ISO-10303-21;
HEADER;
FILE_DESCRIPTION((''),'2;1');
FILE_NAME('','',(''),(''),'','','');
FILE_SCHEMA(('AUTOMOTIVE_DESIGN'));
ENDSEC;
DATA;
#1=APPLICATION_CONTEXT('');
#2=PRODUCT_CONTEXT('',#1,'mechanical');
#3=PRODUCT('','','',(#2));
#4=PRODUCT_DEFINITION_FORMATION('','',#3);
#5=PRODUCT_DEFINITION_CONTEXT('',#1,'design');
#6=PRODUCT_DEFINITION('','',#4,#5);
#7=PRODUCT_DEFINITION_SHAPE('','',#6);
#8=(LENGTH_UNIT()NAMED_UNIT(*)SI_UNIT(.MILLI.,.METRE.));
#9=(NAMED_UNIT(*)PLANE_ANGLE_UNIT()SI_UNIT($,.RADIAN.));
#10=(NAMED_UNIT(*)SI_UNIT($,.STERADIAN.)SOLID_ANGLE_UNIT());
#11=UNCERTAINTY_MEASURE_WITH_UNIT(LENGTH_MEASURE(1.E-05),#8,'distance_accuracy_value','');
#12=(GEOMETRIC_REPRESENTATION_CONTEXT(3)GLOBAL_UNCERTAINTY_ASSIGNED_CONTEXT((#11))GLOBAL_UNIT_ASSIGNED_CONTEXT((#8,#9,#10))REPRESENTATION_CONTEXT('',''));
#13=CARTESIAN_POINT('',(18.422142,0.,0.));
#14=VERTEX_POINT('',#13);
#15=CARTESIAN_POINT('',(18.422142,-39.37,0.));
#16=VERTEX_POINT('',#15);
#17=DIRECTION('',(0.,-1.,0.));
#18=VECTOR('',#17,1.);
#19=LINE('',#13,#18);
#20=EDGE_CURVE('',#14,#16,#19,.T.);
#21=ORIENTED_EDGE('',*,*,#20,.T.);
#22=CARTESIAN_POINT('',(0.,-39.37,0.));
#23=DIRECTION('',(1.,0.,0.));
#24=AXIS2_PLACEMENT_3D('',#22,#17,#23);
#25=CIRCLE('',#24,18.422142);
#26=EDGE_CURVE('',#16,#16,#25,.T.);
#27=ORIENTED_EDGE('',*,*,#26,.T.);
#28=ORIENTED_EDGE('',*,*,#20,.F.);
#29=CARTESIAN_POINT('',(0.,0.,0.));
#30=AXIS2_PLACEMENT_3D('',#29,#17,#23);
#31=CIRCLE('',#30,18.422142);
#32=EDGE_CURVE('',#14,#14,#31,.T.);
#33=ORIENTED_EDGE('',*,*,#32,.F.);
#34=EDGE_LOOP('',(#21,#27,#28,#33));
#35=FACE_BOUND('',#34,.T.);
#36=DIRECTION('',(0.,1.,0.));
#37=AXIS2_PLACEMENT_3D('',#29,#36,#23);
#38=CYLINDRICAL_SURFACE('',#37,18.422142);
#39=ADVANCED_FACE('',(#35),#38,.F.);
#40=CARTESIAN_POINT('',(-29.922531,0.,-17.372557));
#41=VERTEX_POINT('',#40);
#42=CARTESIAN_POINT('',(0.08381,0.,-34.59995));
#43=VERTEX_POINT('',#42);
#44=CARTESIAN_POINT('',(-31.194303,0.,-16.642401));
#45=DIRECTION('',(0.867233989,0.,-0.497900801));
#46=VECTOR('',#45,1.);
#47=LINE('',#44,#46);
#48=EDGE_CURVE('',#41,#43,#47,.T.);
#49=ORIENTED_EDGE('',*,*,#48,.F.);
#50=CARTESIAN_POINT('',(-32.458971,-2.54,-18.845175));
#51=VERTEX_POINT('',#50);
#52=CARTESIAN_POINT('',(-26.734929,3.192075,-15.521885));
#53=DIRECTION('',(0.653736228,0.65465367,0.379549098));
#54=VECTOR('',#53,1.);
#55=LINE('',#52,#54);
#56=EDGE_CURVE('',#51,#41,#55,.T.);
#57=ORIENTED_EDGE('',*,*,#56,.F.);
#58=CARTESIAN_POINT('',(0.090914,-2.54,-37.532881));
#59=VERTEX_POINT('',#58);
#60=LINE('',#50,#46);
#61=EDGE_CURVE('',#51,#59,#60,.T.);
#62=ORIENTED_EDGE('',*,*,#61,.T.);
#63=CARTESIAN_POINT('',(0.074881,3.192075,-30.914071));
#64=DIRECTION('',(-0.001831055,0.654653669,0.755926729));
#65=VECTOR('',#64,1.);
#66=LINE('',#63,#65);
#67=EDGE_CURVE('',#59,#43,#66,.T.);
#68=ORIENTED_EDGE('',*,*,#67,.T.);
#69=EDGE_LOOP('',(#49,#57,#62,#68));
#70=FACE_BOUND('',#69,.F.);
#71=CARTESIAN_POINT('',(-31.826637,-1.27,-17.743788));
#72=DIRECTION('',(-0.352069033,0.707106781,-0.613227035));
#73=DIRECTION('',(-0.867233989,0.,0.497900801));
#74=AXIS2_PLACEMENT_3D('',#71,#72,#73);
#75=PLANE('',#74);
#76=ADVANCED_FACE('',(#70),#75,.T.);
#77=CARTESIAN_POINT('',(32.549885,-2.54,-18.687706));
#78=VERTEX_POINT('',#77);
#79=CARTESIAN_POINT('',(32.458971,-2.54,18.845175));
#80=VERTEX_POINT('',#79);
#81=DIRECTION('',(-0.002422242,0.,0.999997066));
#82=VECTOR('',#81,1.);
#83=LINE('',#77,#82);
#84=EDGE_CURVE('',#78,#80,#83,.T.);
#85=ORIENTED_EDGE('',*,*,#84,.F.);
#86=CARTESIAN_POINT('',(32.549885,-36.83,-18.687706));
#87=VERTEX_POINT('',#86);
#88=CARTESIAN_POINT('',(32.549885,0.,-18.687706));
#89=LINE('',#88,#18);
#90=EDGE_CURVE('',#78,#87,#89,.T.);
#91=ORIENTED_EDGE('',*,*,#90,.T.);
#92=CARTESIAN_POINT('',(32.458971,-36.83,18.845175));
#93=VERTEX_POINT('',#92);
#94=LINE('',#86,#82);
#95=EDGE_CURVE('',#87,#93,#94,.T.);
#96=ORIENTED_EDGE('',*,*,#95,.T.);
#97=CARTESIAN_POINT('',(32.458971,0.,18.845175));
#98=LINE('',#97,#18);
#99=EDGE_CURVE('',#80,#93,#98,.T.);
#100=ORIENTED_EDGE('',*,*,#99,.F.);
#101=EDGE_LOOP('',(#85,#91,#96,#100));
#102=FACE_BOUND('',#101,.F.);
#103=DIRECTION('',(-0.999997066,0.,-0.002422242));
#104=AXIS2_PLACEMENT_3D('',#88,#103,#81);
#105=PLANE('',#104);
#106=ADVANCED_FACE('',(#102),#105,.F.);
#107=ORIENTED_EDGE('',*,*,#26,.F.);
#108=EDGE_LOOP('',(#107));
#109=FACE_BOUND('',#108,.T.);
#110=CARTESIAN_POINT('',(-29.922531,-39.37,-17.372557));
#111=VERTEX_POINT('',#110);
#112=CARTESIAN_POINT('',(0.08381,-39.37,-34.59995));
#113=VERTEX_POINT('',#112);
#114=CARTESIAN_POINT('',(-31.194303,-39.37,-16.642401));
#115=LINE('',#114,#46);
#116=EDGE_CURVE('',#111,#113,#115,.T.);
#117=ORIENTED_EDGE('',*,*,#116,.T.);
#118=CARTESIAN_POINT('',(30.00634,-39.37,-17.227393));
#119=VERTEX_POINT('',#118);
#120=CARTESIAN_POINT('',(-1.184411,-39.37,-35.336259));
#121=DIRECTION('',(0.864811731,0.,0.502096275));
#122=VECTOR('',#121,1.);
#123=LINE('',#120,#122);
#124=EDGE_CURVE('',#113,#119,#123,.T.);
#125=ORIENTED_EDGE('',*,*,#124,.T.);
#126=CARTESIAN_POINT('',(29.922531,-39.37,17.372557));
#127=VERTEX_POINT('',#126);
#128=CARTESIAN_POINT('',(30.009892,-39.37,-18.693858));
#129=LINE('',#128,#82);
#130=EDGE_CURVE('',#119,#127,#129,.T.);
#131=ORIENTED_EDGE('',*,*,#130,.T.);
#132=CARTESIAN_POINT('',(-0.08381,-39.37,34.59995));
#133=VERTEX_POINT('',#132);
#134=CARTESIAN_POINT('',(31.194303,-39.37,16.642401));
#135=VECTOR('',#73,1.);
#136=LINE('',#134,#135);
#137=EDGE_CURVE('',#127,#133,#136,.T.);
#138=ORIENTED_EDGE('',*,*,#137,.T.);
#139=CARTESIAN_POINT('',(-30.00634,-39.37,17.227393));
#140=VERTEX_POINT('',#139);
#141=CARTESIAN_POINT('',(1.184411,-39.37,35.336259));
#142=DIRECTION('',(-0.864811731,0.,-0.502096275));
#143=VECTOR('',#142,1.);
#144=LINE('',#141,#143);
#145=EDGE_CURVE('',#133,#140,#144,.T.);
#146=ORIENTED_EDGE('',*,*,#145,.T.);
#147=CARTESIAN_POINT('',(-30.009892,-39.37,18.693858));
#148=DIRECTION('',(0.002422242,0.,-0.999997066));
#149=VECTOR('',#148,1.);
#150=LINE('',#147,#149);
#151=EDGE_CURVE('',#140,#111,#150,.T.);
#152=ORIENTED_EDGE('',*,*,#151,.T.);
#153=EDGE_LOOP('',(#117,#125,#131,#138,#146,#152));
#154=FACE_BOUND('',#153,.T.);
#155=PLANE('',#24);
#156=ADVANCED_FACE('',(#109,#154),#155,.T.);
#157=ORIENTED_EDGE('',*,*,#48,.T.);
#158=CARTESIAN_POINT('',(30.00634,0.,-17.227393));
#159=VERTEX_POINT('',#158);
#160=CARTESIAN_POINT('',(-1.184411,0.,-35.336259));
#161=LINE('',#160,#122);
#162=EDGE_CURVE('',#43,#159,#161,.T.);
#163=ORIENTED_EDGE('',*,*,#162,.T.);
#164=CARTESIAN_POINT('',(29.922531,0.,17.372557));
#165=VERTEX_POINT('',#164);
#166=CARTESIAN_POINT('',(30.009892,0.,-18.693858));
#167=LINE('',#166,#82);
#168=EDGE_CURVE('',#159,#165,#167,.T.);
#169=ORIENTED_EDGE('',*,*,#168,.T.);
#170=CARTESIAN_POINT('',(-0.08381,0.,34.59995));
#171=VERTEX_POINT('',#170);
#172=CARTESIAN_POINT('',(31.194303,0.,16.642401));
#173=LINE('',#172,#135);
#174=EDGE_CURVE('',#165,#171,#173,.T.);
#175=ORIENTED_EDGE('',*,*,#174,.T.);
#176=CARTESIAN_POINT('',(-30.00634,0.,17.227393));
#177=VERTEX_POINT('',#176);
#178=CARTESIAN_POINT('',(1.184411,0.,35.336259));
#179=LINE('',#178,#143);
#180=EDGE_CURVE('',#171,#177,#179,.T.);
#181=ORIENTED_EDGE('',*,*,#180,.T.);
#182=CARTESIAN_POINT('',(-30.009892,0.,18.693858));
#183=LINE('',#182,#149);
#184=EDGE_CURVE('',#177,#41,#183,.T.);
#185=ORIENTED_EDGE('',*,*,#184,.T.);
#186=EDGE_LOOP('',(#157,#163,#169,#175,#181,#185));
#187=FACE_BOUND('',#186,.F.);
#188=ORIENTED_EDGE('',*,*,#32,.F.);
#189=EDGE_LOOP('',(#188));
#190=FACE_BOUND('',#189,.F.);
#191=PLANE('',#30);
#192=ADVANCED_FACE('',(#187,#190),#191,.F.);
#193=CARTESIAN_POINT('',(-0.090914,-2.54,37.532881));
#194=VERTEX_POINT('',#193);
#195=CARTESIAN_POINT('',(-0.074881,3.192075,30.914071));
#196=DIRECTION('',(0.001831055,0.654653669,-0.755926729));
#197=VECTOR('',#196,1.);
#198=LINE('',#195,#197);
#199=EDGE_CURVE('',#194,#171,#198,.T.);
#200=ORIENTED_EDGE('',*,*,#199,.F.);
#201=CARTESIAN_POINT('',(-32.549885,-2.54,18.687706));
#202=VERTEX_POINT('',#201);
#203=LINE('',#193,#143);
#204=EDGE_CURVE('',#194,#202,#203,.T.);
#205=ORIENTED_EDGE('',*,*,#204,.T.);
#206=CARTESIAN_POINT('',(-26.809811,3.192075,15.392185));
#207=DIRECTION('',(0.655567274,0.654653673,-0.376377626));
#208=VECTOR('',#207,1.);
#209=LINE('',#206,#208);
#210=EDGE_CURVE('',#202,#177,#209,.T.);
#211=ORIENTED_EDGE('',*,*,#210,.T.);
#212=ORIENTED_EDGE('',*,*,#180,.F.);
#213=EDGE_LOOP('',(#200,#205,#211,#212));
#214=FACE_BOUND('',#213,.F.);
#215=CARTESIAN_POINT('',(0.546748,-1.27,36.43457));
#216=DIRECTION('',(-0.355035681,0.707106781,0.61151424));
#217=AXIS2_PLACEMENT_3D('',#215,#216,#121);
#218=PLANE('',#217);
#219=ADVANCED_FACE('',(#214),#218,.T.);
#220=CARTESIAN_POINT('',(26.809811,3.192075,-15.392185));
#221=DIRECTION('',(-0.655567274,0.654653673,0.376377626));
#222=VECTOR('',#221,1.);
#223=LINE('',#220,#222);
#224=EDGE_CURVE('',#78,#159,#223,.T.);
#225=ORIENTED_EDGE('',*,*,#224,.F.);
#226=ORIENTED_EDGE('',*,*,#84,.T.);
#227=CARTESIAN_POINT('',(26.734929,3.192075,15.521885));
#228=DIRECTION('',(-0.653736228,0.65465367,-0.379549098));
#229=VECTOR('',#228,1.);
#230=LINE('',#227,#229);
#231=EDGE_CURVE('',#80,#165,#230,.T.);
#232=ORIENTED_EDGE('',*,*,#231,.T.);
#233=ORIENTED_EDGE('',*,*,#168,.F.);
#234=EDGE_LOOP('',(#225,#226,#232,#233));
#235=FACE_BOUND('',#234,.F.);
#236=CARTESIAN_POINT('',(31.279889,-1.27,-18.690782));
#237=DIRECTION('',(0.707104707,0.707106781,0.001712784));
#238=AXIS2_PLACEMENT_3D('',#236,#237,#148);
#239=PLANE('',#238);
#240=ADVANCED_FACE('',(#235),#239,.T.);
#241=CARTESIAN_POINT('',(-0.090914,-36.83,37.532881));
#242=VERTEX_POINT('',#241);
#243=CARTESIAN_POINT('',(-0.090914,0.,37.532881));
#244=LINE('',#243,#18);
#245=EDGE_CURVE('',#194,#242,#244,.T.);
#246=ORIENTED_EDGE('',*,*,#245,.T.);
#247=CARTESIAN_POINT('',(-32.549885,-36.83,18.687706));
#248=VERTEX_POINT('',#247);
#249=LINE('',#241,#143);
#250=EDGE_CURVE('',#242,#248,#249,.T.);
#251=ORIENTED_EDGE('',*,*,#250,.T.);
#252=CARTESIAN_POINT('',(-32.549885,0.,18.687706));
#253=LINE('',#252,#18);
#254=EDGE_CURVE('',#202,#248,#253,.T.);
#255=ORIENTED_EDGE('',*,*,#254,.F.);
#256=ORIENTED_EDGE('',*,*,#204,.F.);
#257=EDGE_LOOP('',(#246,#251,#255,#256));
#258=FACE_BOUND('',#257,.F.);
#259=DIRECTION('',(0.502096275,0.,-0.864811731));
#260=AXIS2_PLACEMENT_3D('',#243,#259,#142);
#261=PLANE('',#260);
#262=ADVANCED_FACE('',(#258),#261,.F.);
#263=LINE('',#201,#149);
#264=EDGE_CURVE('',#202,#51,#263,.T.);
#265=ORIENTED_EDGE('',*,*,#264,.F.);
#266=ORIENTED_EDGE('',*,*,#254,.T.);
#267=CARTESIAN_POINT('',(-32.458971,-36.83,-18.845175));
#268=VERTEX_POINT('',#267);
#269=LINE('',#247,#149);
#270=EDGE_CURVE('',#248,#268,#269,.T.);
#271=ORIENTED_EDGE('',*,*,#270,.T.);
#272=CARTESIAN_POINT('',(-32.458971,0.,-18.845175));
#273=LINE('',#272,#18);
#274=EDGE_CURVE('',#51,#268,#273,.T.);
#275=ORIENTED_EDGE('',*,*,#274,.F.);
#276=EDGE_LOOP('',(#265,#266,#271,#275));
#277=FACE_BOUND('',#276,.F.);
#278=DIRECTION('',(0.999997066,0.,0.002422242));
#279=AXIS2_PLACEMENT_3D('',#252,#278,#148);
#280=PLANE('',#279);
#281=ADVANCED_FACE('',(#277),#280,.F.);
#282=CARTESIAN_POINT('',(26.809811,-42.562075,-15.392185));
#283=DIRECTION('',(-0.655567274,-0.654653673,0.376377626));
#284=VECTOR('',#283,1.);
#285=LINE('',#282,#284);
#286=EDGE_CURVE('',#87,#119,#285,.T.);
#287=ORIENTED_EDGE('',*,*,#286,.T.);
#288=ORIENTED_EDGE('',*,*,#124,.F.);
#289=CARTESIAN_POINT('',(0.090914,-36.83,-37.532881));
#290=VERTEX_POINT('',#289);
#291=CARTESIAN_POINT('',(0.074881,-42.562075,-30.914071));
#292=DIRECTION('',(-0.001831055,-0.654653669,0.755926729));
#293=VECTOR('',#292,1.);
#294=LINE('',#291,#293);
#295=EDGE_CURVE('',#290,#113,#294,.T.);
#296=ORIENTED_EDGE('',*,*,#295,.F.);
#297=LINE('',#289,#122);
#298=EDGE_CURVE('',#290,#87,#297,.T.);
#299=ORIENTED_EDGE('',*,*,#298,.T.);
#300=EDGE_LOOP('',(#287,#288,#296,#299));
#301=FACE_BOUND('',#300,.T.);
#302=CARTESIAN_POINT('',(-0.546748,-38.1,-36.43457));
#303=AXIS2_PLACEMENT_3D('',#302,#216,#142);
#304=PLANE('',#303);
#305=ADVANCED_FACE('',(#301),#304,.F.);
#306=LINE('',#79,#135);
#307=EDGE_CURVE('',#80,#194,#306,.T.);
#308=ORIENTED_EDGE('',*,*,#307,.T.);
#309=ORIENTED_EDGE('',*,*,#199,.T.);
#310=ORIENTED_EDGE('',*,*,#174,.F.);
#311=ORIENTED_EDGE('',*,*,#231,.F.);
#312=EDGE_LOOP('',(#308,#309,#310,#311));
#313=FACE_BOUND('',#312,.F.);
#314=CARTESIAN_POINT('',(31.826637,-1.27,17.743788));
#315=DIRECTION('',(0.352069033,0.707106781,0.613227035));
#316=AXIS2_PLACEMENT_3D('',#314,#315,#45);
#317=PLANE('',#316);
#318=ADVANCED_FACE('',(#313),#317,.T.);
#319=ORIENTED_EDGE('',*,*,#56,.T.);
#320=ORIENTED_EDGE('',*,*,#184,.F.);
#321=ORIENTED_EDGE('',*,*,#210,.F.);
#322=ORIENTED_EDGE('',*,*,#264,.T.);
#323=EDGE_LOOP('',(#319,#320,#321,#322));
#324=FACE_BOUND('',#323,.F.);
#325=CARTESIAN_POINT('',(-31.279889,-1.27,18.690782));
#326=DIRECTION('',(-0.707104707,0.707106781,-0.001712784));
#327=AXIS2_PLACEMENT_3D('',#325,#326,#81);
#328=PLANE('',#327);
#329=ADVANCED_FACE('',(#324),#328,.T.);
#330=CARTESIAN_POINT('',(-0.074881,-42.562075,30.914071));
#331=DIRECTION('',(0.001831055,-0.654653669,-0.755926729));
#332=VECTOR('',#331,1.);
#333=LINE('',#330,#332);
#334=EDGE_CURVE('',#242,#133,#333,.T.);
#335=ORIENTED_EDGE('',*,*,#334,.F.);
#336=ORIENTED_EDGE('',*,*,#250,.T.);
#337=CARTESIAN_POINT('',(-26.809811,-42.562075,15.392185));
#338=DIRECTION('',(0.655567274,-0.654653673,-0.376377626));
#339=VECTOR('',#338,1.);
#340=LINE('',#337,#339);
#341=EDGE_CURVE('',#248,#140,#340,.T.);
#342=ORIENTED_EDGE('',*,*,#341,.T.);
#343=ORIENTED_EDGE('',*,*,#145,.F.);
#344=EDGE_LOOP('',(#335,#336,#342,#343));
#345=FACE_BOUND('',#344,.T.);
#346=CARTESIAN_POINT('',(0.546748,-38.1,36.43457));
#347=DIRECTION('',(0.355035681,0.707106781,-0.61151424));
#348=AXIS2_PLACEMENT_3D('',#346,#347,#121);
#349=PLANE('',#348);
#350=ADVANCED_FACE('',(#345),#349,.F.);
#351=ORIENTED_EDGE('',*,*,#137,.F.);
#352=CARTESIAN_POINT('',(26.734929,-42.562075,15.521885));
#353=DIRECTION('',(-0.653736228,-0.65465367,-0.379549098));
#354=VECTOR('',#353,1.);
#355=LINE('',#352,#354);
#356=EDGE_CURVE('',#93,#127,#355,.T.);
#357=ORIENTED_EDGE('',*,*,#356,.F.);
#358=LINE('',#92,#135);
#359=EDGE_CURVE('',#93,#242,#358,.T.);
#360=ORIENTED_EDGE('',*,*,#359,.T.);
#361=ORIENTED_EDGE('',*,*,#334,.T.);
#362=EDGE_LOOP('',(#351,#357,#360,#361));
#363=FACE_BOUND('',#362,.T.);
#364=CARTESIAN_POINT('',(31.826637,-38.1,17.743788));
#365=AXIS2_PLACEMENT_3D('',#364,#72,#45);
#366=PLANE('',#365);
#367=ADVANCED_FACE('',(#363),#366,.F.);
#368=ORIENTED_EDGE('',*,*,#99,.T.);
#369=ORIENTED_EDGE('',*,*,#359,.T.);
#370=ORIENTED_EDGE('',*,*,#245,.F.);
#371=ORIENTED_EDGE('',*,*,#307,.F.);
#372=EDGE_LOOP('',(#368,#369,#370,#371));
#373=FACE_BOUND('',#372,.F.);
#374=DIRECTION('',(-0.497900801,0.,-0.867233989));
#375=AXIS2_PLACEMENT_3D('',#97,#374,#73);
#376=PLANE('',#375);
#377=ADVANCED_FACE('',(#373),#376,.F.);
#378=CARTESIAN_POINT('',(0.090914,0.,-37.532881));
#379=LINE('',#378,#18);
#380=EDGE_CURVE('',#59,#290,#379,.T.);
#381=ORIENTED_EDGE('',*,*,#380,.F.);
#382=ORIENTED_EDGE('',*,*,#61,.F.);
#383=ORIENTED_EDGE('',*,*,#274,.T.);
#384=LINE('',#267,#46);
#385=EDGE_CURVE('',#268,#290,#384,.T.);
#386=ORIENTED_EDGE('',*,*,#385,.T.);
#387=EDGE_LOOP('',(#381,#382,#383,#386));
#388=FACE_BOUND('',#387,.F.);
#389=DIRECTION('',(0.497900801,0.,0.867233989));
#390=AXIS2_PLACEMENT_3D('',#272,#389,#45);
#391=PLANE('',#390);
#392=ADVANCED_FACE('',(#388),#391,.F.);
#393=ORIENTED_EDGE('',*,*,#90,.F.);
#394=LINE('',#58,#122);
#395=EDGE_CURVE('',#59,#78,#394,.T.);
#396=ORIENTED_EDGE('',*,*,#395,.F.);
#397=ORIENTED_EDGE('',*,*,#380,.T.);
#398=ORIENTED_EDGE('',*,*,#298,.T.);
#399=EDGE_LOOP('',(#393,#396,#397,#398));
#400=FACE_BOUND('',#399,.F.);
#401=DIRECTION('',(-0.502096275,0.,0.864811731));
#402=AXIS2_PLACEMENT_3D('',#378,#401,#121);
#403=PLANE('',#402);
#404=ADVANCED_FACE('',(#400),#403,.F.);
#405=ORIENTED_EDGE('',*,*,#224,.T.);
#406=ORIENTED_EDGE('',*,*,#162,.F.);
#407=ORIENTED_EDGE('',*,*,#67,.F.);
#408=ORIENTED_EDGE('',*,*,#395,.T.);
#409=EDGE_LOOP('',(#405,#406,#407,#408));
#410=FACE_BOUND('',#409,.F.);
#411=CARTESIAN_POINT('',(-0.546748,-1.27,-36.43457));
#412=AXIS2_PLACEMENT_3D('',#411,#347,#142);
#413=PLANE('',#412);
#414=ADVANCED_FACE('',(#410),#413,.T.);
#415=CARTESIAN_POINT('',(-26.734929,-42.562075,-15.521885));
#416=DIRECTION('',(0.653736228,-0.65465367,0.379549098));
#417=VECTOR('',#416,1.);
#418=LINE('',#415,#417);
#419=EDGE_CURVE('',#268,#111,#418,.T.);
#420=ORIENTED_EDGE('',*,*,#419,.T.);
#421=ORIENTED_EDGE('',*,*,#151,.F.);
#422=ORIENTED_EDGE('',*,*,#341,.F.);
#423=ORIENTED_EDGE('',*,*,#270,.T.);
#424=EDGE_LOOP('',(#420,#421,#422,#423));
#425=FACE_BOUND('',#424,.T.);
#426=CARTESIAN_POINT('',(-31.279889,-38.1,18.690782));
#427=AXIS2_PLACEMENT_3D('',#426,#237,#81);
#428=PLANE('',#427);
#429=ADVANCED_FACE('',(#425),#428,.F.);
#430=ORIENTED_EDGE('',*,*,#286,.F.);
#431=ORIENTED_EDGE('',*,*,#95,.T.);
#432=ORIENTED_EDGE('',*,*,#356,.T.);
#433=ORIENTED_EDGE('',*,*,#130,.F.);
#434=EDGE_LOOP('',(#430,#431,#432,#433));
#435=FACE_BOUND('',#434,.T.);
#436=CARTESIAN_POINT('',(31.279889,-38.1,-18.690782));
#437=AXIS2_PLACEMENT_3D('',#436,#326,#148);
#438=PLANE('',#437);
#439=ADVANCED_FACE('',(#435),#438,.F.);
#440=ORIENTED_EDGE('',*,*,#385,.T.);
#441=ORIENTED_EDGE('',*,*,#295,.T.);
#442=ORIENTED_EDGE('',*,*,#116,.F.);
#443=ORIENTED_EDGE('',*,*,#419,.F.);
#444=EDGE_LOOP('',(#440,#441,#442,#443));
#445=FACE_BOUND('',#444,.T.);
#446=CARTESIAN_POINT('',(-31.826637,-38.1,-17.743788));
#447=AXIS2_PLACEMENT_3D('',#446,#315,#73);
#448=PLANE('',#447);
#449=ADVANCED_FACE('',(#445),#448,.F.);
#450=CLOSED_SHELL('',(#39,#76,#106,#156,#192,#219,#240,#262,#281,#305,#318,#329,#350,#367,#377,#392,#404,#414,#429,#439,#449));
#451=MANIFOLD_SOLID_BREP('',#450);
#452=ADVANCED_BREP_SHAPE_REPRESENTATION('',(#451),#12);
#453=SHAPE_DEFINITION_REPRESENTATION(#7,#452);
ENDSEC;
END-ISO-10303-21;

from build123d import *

# Parameters (mm, degrees)
F0_R     = 18.422142
F1_DEPTH = 39.37
F2_SIZE  = 2.54


with BuildPart() as f1:
    # F0 (on Front) → F1 (new body)
    with BuildSketch(Plane.XZ):
        Polygon((32.458971, 18.845175), (-0.090914, 37.532881), (-32.549885, 18.687706), (-32.458971, -18.845175), (0.090914, -37.532881), (32.549885, -18.687706), align=None)
        Circle(F0_R, mode=Mode.SUBTRACT)
    extrude(amount=F1_DEPTH)

    # F2
    f2_edges = [f1.edges().sort_by_distance(p)[0] for p in [
        (-32.504428, 0, -0.078734),
        (-16.184028, 0, -28.189028),
        (16.3204, 0, -28.110293),
        (32.504428, 0, 0.078734),
        (16.184028, 0, 28.189028),
        (-16.3204, 0, 28.110293),
        (16.184028, -39.37, 28.189028),
        (-16.3204, -39.37, 28.110293),
        (-32.504428, -39.37, -0.078734),
        (-16.184028, -39.37, -28.189028),
        (16.3204, -39.37, -28.110293),
        (32.504428, -39.37, 0.078734),
    ]]
    chamfer(f2_edges, length=F2_SIZE)


solid = f1.part
